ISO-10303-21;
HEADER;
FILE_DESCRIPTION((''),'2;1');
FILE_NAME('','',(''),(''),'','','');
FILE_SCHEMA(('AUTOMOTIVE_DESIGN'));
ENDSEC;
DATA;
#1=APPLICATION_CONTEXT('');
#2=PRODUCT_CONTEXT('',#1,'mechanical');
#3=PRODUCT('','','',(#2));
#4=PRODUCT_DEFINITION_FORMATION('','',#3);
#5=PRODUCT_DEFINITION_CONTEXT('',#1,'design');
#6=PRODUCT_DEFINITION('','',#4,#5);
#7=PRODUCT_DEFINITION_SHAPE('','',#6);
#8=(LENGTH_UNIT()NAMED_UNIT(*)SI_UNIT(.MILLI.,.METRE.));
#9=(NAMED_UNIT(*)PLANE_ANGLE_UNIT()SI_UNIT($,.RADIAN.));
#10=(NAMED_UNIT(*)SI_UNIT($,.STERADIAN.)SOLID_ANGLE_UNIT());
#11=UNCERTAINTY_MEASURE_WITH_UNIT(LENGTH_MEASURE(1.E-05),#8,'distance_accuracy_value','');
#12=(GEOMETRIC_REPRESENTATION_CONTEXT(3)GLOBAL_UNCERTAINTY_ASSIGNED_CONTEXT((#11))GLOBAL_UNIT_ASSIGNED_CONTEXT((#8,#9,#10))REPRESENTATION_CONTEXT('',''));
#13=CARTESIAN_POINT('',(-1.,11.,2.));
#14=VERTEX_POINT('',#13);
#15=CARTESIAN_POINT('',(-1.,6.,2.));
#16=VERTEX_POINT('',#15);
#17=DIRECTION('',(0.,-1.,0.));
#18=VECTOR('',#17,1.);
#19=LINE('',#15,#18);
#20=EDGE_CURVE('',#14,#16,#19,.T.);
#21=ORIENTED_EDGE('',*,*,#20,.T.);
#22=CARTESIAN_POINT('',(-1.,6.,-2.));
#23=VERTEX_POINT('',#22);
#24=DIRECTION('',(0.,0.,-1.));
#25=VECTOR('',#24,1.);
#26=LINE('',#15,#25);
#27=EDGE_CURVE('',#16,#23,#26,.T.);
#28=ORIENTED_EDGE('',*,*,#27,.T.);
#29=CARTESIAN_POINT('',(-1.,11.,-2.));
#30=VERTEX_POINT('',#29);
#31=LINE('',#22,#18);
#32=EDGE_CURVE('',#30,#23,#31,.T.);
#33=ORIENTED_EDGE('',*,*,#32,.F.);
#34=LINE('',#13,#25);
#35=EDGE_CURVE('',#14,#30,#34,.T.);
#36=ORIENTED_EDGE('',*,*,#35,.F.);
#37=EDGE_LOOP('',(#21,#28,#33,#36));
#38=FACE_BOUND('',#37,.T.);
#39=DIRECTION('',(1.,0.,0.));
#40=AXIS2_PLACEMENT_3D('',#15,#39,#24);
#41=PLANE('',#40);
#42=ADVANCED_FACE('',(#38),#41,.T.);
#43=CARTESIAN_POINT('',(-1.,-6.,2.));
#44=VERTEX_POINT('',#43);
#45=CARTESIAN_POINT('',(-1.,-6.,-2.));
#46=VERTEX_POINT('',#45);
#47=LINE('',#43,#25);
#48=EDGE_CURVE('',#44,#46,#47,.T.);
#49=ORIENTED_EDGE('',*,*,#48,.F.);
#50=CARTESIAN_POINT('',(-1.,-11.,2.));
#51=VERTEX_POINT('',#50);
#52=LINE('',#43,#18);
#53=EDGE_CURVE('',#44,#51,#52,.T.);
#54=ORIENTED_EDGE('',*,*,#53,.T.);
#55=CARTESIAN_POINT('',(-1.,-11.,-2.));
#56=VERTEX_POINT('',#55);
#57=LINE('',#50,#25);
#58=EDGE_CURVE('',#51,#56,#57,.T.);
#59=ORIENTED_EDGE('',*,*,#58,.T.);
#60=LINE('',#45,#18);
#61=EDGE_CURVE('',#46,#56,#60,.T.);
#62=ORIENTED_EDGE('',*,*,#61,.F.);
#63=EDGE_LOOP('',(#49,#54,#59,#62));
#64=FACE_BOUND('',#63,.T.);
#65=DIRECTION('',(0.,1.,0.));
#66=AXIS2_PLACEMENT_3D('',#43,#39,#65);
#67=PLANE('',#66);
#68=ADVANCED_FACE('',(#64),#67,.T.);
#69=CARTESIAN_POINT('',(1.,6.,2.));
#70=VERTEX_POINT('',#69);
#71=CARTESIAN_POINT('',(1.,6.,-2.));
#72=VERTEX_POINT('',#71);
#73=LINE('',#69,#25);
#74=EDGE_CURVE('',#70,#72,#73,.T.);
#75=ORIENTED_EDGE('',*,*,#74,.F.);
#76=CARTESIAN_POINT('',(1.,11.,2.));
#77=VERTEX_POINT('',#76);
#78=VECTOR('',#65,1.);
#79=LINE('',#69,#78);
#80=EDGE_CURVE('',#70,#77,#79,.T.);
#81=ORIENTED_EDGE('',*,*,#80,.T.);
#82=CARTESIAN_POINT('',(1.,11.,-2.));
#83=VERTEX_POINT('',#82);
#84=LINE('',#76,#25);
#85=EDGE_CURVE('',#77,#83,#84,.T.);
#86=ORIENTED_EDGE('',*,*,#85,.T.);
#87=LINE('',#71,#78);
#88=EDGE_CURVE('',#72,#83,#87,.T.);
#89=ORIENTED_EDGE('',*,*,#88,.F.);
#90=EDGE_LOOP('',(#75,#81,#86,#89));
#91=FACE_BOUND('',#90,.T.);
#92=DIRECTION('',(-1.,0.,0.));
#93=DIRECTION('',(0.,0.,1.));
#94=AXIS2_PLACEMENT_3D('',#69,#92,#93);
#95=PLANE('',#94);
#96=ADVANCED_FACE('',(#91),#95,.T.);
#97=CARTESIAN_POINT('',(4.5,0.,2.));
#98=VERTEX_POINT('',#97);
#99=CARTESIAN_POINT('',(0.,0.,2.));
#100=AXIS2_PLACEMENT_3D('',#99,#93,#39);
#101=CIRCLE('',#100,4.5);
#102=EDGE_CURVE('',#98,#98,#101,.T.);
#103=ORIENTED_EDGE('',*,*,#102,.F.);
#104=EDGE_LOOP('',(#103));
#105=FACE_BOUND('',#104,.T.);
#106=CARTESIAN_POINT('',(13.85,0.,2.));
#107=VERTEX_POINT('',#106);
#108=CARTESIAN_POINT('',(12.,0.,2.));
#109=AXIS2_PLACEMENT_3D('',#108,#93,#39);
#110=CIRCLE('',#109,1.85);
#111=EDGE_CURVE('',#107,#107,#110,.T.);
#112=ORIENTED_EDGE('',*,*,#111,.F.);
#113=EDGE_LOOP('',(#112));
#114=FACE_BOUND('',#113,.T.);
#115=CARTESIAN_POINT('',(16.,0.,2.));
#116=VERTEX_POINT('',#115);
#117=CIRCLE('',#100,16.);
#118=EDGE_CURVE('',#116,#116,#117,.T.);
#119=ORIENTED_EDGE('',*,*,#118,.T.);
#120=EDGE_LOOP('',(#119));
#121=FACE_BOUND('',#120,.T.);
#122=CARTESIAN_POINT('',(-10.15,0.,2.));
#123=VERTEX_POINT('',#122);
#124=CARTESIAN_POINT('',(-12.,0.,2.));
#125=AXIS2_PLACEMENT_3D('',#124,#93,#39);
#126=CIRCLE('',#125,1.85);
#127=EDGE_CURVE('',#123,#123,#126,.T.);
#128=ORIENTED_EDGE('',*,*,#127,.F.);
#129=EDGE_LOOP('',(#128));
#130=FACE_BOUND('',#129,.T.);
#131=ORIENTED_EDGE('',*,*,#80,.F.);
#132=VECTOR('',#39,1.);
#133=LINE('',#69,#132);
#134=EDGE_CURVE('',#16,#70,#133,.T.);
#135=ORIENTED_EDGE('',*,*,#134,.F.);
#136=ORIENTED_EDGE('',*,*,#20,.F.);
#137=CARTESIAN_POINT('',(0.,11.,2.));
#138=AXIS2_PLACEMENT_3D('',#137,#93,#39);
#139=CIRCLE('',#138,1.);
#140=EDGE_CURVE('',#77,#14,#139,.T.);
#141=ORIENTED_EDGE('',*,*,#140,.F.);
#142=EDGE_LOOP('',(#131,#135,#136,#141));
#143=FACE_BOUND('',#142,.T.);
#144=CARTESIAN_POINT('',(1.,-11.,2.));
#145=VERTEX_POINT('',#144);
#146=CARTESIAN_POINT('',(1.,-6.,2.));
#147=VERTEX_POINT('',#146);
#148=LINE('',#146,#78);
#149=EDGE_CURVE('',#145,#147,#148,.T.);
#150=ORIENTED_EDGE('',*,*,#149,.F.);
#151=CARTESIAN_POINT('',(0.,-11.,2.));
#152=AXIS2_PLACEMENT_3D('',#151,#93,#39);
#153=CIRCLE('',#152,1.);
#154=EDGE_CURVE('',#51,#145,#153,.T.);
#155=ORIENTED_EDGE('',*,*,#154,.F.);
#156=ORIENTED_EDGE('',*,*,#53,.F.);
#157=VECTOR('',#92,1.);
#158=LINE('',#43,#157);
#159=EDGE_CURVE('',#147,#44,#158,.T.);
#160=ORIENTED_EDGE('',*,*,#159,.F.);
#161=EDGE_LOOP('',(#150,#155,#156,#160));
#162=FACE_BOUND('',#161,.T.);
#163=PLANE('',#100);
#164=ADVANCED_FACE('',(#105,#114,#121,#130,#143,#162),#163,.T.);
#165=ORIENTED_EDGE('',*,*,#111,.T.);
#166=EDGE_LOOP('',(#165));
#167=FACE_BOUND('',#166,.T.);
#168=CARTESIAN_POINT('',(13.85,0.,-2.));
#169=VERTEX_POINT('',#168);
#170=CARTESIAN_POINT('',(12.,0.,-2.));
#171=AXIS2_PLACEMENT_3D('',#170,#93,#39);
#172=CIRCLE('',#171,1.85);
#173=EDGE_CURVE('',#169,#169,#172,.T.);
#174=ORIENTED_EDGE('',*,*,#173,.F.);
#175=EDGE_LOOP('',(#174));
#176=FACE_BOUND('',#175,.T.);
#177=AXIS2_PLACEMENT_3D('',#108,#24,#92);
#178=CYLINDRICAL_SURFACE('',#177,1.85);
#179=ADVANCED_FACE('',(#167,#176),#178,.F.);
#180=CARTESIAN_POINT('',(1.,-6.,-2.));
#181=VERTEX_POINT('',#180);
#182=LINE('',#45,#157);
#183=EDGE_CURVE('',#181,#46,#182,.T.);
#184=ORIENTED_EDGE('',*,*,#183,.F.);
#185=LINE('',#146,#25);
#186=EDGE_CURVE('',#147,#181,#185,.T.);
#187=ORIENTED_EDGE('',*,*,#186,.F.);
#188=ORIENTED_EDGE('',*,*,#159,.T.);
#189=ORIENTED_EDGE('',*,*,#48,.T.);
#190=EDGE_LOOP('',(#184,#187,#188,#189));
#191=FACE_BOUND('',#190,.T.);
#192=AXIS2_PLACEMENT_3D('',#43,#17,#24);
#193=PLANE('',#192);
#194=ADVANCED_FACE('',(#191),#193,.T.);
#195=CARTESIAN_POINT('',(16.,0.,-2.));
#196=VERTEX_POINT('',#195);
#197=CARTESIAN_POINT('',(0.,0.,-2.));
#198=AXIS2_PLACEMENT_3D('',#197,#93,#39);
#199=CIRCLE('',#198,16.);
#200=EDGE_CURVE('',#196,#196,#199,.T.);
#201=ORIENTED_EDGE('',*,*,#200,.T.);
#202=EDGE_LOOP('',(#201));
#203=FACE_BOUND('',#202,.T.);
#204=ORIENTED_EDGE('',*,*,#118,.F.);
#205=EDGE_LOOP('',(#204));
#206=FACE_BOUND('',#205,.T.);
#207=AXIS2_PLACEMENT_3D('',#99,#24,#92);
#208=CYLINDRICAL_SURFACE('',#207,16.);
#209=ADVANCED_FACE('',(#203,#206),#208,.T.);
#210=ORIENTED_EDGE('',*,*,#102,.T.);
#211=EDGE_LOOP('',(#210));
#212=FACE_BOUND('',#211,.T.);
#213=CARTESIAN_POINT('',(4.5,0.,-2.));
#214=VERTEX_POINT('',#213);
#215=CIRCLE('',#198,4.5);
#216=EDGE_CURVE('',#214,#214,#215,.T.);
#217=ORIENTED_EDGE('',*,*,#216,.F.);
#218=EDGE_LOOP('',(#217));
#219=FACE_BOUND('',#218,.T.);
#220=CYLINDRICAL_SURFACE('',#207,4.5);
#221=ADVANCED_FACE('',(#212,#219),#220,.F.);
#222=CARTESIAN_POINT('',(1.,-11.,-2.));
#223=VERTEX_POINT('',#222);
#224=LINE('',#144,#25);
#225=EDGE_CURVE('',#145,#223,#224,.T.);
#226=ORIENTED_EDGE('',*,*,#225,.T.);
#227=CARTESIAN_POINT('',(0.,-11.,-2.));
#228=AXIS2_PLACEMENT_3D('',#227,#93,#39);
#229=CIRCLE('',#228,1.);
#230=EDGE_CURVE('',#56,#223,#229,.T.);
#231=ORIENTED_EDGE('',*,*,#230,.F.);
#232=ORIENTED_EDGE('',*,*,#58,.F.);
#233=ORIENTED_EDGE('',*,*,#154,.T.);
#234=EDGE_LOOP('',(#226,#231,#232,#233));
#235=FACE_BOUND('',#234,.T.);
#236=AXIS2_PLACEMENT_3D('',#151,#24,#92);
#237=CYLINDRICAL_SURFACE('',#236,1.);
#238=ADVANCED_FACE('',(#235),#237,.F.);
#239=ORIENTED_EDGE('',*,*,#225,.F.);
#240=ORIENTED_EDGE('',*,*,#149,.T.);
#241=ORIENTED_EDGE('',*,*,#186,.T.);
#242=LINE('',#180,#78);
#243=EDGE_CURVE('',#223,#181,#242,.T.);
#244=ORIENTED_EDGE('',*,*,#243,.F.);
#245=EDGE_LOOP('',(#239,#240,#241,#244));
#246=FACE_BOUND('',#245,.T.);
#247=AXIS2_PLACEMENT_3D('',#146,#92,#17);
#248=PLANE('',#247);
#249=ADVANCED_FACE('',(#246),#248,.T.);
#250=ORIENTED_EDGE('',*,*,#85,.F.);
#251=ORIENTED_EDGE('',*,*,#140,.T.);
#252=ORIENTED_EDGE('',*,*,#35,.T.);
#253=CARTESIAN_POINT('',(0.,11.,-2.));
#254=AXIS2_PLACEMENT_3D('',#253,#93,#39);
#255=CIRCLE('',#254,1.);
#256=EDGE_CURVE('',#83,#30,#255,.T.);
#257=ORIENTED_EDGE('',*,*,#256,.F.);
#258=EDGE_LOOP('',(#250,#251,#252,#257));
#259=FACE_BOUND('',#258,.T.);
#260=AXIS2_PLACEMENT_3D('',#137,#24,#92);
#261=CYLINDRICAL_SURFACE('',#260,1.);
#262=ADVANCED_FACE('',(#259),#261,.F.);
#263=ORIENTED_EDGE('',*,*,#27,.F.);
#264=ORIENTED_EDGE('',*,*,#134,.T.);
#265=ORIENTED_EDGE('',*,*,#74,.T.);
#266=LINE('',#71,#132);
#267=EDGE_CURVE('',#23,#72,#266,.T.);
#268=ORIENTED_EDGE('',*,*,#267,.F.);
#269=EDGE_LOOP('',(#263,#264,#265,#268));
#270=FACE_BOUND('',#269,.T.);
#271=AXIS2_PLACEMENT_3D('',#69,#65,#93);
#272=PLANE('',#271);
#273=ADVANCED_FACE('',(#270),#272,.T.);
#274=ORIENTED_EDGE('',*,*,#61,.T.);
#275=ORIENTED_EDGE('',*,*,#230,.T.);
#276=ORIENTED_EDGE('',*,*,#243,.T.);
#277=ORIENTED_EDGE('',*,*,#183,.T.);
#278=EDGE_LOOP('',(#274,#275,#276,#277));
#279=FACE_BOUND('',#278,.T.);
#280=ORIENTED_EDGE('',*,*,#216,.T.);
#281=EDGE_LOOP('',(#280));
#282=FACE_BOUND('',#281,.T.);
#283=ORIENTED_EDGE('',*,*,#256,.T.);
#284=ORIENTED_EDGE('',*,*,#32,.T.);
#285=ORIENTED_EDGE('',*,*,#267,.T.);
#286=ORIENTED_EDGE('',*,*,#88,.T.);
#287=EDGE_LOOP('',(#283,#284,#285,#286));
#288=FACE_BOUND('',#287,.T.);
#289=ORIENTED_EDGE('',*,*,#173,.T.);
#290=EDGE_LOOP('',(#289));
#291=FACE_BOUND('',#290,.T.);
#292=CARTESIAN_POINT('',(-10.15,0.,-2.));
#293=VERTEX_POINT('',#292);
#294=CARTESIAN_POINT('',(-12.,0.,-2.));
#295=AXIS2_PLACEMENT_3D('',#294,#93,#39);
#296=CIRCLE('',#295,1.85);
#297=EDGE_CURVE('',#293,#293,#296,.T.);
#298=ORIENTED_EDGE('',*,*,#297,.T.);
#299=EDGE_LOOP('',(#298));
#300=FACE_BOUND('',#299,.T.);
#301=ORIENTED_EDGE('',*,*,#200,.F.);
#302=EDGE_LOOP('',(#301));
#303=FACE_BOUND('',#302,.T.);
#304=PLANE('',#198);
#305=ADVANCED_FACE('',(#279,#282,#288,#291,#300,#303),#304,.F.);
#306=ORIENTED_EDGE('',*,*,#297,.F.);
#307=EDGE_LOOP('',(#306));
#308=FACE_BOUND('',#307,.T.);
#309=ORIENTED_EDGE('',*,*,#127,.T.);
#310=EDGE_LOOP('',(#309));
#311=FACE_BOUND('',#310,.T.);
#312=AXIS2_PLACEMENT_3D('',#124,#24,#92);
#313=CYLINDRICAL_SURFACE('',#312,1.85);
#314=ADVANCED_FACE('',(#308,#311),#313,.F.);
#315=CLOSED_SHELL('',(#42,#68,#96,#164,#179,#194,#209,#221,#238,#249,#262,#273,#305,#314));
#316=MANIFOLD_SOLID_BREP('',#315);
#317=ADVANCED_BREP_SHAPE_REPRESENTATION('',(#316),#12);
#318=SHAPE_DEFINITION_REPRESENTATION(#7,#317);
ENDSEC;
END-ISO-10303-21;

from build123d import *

# Parameters (mm, degrees)
SKETCH_1_R      = 16
SKETCH_1_R_2    = 4.5
SKETCH_1_R_3    = 1.85
EXTRUDE_1_DEPTH = 2


with BuildPart() as part:
    # 草图1 → 凸台-拉伸1 (new, symmetric)
    with BuildSketch(Plane.XY):
        Circle(SKETCH_1_R)
        Circle(SKETCH_1_R_2, mode=Mode.SUBTRACT)
        with Locations((-12, 0)):
            Circle(SKETCH_1_R_3, mode=Mode.SUBTRACT)
        with Locations((12, 0)):
            Circle(SKETCH_1_R_3, mode=Mode.SUBTRACT)
        with BuildLine():
            Line((-1, 6), (-1, 11))
            ThreePointArc((-1, 11), (0, 12), (1, 11))
            Line((1, 11), (1, 6))
            Line((1, 6), (-1, 6))
        make_face(mode=Mode.SUBTRACT)
        with BuildLine():
            Line((1, -6), (1, -11))
            ThreePointArc((1, -11), (0, -12), (-1, -11))
            Line((-1, -11), (-1, -6))
            Line((-1, -6), (1, -6))
        make_face(mode=Mode.SUBTRACT)
    extrude(amount=EXTRUDE_1_DEPTH, both=True)


solid = part.part
